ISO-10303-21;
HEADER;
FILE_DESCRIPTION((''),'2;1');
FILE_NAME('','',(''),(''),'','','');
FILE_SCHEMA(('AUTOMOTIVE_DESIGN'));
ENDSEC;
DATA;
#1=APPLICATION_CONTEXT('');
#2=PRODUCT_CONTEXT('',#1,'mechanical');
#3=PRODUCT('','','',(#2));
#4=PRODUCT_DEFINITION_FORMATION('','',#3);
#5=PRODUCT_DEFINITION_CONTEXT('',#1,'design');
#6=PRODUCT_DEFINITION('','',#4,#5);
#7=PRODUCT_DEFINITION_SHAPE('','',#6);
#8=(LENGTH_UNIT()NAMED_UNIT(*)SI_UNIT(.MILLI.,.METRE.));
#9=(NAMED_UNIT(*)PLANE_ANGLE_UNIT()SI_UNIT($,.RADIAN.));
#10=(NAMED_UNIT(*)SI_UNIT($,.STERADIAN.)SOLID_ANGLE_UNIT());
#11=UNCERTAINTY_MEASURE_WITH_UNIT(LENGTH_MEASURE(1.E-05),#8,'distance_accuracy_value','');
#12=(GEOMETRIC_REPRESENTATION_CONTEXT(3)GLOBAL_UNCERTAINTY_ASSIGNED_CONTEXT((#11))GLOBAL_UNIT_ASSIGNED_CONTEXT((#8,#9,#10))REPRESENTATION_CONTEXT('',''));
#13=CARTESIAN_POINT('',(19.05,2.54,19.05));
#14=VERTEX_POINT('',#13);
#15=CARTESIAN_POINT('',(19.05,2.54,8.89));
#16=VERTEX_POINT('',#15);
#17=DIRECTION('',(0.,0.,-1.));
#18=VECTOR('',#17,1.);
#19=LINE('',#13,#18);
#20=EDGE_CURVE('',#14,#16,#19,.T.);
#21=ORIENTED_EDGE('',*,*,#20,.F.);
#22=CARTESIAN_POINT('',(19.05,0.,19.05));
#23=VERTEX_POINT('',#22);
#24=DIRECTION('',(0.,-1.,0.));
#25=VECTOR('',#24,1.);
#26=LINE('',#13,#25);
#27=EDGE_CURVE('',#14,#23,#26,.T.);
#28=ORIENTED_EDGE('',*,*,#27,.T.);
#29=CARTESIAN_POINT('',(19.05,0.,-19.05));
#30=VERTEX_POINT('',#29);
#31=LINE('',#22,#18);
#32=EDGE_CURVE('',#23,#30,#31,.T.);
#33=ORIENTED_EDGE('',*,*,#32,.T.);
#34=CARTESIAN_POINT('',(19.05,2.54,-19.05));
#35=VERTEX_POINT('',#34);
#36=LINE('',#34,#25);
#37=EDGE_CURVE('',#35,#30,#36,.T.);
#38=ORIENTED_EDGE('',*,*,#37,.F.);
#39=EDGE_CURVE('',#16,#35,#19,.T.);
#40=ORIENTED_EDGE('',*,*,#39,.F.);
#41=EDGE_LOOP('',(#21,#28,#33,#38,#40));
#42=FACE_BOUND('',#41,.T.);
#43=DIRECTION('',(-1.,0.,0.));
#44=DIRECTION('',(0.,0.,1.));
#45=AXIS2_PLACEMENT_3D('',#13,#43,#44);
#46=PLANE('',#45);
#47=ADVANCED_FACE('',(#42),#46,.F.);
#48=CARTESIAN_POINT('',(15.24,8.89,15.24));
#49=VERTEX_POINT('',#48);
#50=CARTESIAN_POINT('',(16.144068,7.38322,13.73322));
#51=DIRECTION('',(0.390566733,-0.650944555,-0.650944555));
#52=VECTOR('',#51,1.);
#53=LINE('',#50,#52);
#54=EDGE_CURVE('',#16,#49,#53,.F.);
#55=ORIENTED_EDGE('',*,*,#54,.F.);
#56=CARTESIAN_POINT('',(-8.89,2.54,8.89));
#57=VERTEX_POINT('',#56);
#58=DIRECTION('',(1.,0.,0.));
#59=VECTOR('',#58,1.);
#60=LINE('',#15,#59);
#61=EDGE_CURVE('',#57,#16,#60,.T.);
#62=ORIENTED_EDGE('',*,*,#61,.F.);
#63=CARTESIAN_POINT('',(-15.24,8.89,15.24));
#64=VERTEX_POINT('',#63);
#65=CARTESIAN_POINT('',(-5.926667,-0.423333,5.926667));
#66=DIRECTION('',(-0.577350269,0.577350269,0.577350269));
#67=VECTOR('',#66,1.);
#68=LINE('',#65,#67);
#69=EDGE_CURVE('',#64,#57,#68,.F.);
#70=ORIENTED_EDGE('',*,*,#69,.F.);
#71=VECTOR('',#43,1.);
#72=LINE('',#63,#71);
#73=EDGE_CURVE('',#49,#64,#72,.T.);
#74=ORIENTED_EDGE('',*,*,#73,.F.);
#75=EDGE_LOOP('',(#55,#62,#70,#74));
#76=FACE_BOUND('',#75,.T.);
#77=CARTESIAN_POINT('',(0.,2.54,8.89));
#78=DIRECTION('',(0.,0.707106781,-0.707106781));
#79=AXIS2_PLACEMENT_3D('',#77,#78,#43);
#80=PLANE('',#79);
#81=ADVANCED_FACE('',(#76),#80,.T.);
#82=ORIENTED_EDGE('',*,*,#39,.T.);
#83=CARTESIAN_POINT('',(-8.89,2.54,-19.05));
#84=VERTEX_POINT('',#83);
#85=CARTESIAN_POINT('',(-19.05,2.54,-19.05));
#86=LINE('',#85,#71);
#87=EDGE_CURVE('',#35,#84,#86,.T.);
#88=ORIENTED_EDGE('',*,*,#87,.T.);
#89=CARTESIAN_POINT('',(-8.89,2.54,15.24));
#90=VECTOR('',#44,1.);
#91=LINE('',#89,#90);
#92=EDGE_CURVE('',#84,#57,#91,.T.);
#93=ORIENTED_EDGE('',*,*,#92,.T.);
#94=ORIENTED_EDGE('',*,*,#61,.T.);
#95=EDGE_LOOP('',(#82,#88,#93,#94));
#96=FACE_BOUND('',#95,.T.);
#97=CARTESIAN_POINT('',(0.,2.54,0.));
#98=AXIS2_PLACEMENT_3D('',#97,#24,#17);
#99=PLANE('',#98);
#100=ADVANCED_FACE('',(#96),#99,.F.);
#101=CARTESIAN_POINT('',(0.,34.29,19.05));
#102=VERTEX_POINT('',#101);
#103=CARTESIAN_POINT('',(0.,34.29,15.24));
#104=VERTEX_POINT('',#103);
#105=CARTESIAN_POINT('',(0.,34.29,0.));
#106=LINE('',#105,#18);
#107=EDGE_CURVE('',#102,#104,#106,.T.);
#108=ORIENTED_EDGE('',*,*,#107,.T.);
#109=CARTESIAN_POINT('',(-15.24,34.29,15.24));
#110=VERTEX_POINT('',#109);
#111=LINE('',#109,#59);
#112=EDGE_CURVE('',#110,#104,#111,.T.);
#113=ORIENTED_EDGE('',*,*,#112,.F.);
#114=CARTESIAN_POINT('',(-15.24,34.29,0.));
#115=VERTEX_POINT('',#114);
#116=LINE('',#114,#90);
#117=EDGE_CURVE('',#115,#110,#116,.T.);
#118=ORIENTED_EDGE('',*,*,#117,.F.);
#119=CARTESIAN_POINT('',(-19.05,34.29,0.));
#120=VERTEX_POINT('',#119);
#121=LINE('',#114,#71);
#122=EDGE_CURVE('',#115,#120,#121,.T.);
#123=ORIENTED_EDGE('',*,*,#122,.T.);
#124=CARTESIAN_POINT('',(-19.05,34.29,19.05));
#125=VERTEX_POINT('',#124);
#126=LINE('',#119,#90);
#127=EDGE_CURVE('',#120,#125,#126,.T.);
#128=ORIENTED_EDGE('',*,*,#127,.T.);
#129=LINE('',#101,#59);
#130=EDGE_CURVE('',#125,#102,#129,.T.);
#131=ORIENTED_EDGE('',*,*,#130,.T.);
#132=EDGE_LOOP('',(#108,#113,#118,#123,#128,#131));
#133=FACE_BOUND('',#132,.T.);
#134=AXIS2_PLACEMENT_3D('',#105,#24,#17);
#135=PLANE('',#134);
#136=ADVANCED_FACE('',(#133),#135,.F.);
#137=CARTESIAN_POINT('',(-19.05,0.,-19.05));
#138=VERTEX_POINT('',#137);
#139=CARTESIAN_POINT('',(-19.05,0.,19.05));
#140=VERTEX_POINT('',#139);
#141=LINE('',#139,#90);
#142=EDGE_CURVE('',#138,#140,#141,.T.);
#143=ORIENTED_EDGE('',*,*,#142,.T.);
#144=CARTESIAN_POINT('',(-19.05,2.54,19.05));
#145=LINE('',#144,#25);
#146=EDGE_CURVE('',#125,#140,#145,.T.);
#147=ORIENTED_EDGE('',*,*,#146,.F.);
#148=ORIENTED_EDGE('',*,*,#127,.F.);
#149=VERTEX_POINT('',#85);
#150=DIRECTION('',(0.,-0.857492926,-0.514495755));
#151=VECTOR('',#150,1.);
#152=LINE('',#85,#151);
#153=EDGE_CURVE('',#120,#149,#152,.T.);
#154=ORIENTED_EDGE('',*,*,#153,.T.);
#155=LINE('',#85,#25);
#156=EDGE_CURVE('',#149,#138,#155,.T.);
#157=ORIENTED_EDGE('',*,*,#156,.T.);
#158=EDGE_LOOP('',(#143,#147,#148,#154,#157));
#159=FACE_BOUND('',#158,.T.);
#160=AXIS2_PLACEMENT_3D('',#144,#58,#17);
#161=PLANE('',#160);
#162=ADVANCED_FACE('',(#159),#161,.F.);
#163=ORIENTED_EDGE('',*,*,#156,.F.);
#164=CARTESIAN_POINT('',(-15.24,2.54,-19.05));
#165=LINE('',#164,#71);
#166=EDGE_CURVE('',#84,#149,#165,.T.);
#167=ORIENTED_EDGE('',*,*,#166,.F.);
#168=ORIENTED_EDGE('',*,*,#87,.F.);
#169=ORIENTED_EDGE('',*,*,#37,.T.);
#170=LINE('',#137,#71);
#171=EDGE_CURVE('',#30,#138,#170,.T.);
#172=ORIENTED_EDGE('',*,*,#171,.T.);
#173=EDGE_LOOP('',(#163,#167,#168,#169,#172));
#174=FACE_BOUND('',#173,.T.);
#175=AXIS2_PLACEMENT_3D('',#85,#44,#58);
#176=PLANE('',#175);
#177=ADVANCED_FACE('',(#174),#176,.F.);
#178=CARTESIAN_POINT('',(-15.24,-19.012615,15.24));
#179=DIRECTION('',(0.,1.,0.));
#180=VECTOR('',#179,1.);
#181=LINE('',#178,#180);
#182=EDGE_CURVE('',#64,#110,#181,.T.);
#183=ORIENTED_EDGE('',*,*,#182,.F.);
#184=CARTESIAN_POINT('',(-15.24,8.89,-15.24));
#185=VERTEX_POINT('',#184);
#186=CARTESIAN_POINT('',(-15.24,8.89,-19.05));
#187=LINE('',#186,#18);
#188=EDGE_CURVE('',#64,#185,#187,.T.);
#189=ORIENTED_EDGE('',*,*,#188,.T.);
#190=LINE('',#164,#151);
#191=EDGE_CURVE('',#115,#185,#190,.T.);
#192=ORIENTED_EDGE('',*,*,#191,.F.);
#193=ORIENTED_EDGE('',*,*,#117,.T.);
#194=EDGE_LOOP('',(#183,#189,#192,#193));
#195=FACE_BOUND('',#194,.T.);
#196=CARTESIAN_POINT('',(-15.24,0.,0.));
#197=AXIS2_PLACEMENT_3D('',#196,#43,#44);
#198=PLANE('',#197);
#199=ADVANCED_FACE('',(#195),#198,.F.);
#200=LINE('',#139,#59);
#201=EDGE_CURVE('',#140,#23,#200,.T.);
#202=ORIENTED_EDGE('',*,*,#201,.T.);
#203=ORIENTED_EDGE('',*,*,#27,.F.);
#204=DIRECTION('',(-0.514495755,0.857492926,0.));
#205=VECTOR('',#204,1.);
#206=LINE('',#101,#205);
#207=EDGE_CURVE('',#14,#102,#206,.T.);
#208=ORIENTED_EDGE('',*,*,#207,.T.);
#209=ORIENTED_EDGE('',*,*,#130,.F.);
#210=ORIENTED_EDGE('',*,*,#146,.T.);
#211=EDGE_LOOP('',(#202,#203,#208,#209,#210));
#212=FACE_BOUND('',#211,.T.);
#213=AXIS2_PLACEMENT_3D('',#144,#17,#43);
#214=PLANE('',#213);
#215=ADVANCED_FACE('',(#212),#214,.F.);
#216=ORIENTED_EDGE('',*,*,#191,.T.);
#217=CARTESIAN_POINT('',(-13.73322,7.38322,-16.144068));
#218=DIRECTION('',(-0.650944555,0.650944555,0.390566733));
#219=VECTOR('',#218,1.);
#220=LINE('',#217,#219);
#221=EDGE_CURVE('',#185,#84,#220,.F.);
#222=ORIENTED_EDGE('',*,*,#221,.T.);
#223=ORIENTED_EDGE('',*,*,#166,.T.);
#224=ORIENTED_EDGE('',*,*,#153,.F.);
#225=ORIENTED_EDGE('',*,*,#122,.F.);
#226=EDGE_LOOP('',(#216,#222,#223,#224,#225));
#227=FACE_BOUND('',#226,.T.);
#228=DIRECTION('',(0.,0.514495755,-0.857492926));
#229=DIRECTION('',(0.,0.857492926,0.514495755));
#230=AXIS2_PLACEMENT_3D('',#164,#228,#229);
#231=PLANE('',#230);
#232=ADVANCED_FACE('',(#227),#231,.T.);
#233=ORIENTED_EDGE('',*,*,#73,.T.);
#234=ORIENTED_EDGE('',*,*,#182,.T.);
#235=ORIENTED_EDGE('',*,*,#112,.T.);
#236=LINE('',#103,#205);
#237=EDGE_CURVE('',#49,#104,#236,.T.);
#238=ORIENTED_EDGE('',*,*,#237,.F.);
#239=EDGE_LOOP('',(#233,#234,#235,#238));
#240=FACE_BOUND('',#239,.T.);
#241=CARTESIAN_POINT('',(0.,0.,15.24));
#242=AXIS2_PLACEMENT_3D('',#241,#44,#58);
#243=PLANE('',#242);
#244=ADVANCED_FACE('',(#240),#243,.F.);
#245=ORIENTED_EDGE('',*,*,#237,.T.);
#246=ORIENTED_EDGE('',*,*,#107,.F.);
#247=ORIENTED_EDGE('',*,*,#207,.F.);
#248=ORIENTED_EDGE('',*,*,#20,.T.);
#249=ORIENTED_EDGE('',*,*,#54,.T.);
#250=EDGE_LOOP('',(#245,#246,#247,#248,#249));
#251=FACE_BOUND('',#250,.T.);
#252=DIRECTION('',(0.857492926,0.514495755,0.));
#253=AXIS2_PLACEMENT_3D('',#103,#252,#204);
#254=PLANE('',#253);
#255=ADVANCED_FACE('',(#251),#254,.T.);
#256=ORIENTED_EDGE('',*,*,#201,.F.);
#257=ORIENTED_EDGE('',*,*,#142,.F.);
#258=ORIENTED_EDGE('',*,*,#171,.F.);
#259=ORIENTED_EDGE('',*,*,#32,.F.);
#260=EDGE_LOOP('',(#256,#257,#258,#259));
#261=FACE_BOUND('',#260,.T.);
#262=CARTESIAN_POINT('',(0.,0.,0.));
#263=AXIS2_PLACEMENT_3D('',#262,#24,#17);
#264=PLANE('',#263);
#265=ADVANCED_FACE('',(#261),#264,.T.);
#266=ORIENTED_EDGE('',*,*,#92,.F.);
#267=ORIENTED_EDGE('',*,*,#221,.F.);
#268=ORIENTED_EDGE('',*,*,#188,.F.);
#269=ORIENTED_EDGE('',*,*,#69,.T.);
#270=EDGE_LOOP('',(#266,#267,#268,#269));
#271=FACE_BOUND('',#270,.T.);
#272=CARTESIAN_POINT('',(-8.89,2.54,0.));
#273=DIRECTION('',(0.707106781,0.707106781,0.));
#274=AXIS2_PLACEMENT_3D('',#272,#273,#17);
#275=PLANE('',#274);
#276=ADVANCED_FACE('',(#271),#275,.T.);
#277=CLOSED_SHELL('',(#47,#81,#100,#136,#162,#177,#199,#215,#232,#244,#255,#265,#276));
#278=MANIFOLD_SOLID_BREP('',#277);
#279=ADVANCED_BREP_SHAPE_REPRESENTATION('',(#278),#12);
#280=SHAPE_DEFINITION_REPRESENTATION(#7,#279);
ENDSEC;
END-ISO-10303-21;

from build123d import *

# Parameters (mm, degrees)
SKETCH1_W           = 38.1
SKETCH1_H           = 38.1
BOSS_EXTRUDE1_DEPTH = 2.54
SKETCH2_W           = 19.05
SKETCH2_H           = 19.05
BOSS_EXTRUDE2_DEPTH = 31.75
BOSS_EXTRUDE3_DEPTH = 3.81
BOSS_EXTRUDE4_DEPTH = 3.81
SKETCH5_W           = 15.24
SKETCH5_H           = 15.24
CUT_EXTRUDE1_DEPTH  = 31.75
CHAMFER5_SIZE       = 6.35


with BuildPart() as part:
    # Sketch1 → Boss-Extrude1 (new body)
    with BuildSketch(Plane(origin=(0, 0, 0), x_dir=(1, 0, 0), z_dir=(0, 1, 0))):
        Rectangle(SKETCH1_W, SKETCH1_H)
    extrude(amount=BOSS_EXTRUDE1_DEPTH)

    # Sketch2 → Boss-Extrude2 (add)
    with BuildSketch(Plane(origin=(0, 2.54, 0), x_dir=(1, 0, 0), z_dir=(0, 1, 0))):
        with Locations((-9.525, -9.525)):
            Rectangle(SKETCH2_W, SKETCH2_H)
    extrude(amount=BOSS_EXTRUDE2_DEPTH)

    # Sketch3 → Boss-Extrude3 (add)
    with BuildSketch(Plane.XY.offset(19.05)):
        Polygon((0, 34.29), (19.05, 2.54), (0, 2.54), align=None)
    extrude(amount=-BOSS_EXTRUDE3_DEPTH)

    # Sketch4 → Boss-Extrude4 (add)
    with BuildSketch(Plane.ZY.offset(19.05)):
        Polygon((0, 34.29), (0, 2.54), (-19.05, 2.54), align=None)
    extrude(amount=-BOSS_EXTRUDE4_DEPTH)

    # Sketch5 → Cut-Extrude1 (cut)
    with BuildSketch(Plane(origin=(0, 34.29, 0), x_dir=(1, 0, 0), z_dir=(0, 1, 0))):
        with Locations((-7.62, -7.62)):
            Rectangle(SKETCH5_W, SKETCH5_H)
    extrude(amount=-CUT_EXTRUDE1_DEPTH, mode=Mode.SUBTRACT)

    # Chamfer5
    chamfer5_edges = [part.edges().sort_by_distance(p)[0] for p in [
        (1.905, 2.54, 15.24),
        (-15.24, 2.54, -1.905),
    ]]
    chamfer(chamfer5_edges, length=CHAMFER5_SIZE)


solid = part.part
